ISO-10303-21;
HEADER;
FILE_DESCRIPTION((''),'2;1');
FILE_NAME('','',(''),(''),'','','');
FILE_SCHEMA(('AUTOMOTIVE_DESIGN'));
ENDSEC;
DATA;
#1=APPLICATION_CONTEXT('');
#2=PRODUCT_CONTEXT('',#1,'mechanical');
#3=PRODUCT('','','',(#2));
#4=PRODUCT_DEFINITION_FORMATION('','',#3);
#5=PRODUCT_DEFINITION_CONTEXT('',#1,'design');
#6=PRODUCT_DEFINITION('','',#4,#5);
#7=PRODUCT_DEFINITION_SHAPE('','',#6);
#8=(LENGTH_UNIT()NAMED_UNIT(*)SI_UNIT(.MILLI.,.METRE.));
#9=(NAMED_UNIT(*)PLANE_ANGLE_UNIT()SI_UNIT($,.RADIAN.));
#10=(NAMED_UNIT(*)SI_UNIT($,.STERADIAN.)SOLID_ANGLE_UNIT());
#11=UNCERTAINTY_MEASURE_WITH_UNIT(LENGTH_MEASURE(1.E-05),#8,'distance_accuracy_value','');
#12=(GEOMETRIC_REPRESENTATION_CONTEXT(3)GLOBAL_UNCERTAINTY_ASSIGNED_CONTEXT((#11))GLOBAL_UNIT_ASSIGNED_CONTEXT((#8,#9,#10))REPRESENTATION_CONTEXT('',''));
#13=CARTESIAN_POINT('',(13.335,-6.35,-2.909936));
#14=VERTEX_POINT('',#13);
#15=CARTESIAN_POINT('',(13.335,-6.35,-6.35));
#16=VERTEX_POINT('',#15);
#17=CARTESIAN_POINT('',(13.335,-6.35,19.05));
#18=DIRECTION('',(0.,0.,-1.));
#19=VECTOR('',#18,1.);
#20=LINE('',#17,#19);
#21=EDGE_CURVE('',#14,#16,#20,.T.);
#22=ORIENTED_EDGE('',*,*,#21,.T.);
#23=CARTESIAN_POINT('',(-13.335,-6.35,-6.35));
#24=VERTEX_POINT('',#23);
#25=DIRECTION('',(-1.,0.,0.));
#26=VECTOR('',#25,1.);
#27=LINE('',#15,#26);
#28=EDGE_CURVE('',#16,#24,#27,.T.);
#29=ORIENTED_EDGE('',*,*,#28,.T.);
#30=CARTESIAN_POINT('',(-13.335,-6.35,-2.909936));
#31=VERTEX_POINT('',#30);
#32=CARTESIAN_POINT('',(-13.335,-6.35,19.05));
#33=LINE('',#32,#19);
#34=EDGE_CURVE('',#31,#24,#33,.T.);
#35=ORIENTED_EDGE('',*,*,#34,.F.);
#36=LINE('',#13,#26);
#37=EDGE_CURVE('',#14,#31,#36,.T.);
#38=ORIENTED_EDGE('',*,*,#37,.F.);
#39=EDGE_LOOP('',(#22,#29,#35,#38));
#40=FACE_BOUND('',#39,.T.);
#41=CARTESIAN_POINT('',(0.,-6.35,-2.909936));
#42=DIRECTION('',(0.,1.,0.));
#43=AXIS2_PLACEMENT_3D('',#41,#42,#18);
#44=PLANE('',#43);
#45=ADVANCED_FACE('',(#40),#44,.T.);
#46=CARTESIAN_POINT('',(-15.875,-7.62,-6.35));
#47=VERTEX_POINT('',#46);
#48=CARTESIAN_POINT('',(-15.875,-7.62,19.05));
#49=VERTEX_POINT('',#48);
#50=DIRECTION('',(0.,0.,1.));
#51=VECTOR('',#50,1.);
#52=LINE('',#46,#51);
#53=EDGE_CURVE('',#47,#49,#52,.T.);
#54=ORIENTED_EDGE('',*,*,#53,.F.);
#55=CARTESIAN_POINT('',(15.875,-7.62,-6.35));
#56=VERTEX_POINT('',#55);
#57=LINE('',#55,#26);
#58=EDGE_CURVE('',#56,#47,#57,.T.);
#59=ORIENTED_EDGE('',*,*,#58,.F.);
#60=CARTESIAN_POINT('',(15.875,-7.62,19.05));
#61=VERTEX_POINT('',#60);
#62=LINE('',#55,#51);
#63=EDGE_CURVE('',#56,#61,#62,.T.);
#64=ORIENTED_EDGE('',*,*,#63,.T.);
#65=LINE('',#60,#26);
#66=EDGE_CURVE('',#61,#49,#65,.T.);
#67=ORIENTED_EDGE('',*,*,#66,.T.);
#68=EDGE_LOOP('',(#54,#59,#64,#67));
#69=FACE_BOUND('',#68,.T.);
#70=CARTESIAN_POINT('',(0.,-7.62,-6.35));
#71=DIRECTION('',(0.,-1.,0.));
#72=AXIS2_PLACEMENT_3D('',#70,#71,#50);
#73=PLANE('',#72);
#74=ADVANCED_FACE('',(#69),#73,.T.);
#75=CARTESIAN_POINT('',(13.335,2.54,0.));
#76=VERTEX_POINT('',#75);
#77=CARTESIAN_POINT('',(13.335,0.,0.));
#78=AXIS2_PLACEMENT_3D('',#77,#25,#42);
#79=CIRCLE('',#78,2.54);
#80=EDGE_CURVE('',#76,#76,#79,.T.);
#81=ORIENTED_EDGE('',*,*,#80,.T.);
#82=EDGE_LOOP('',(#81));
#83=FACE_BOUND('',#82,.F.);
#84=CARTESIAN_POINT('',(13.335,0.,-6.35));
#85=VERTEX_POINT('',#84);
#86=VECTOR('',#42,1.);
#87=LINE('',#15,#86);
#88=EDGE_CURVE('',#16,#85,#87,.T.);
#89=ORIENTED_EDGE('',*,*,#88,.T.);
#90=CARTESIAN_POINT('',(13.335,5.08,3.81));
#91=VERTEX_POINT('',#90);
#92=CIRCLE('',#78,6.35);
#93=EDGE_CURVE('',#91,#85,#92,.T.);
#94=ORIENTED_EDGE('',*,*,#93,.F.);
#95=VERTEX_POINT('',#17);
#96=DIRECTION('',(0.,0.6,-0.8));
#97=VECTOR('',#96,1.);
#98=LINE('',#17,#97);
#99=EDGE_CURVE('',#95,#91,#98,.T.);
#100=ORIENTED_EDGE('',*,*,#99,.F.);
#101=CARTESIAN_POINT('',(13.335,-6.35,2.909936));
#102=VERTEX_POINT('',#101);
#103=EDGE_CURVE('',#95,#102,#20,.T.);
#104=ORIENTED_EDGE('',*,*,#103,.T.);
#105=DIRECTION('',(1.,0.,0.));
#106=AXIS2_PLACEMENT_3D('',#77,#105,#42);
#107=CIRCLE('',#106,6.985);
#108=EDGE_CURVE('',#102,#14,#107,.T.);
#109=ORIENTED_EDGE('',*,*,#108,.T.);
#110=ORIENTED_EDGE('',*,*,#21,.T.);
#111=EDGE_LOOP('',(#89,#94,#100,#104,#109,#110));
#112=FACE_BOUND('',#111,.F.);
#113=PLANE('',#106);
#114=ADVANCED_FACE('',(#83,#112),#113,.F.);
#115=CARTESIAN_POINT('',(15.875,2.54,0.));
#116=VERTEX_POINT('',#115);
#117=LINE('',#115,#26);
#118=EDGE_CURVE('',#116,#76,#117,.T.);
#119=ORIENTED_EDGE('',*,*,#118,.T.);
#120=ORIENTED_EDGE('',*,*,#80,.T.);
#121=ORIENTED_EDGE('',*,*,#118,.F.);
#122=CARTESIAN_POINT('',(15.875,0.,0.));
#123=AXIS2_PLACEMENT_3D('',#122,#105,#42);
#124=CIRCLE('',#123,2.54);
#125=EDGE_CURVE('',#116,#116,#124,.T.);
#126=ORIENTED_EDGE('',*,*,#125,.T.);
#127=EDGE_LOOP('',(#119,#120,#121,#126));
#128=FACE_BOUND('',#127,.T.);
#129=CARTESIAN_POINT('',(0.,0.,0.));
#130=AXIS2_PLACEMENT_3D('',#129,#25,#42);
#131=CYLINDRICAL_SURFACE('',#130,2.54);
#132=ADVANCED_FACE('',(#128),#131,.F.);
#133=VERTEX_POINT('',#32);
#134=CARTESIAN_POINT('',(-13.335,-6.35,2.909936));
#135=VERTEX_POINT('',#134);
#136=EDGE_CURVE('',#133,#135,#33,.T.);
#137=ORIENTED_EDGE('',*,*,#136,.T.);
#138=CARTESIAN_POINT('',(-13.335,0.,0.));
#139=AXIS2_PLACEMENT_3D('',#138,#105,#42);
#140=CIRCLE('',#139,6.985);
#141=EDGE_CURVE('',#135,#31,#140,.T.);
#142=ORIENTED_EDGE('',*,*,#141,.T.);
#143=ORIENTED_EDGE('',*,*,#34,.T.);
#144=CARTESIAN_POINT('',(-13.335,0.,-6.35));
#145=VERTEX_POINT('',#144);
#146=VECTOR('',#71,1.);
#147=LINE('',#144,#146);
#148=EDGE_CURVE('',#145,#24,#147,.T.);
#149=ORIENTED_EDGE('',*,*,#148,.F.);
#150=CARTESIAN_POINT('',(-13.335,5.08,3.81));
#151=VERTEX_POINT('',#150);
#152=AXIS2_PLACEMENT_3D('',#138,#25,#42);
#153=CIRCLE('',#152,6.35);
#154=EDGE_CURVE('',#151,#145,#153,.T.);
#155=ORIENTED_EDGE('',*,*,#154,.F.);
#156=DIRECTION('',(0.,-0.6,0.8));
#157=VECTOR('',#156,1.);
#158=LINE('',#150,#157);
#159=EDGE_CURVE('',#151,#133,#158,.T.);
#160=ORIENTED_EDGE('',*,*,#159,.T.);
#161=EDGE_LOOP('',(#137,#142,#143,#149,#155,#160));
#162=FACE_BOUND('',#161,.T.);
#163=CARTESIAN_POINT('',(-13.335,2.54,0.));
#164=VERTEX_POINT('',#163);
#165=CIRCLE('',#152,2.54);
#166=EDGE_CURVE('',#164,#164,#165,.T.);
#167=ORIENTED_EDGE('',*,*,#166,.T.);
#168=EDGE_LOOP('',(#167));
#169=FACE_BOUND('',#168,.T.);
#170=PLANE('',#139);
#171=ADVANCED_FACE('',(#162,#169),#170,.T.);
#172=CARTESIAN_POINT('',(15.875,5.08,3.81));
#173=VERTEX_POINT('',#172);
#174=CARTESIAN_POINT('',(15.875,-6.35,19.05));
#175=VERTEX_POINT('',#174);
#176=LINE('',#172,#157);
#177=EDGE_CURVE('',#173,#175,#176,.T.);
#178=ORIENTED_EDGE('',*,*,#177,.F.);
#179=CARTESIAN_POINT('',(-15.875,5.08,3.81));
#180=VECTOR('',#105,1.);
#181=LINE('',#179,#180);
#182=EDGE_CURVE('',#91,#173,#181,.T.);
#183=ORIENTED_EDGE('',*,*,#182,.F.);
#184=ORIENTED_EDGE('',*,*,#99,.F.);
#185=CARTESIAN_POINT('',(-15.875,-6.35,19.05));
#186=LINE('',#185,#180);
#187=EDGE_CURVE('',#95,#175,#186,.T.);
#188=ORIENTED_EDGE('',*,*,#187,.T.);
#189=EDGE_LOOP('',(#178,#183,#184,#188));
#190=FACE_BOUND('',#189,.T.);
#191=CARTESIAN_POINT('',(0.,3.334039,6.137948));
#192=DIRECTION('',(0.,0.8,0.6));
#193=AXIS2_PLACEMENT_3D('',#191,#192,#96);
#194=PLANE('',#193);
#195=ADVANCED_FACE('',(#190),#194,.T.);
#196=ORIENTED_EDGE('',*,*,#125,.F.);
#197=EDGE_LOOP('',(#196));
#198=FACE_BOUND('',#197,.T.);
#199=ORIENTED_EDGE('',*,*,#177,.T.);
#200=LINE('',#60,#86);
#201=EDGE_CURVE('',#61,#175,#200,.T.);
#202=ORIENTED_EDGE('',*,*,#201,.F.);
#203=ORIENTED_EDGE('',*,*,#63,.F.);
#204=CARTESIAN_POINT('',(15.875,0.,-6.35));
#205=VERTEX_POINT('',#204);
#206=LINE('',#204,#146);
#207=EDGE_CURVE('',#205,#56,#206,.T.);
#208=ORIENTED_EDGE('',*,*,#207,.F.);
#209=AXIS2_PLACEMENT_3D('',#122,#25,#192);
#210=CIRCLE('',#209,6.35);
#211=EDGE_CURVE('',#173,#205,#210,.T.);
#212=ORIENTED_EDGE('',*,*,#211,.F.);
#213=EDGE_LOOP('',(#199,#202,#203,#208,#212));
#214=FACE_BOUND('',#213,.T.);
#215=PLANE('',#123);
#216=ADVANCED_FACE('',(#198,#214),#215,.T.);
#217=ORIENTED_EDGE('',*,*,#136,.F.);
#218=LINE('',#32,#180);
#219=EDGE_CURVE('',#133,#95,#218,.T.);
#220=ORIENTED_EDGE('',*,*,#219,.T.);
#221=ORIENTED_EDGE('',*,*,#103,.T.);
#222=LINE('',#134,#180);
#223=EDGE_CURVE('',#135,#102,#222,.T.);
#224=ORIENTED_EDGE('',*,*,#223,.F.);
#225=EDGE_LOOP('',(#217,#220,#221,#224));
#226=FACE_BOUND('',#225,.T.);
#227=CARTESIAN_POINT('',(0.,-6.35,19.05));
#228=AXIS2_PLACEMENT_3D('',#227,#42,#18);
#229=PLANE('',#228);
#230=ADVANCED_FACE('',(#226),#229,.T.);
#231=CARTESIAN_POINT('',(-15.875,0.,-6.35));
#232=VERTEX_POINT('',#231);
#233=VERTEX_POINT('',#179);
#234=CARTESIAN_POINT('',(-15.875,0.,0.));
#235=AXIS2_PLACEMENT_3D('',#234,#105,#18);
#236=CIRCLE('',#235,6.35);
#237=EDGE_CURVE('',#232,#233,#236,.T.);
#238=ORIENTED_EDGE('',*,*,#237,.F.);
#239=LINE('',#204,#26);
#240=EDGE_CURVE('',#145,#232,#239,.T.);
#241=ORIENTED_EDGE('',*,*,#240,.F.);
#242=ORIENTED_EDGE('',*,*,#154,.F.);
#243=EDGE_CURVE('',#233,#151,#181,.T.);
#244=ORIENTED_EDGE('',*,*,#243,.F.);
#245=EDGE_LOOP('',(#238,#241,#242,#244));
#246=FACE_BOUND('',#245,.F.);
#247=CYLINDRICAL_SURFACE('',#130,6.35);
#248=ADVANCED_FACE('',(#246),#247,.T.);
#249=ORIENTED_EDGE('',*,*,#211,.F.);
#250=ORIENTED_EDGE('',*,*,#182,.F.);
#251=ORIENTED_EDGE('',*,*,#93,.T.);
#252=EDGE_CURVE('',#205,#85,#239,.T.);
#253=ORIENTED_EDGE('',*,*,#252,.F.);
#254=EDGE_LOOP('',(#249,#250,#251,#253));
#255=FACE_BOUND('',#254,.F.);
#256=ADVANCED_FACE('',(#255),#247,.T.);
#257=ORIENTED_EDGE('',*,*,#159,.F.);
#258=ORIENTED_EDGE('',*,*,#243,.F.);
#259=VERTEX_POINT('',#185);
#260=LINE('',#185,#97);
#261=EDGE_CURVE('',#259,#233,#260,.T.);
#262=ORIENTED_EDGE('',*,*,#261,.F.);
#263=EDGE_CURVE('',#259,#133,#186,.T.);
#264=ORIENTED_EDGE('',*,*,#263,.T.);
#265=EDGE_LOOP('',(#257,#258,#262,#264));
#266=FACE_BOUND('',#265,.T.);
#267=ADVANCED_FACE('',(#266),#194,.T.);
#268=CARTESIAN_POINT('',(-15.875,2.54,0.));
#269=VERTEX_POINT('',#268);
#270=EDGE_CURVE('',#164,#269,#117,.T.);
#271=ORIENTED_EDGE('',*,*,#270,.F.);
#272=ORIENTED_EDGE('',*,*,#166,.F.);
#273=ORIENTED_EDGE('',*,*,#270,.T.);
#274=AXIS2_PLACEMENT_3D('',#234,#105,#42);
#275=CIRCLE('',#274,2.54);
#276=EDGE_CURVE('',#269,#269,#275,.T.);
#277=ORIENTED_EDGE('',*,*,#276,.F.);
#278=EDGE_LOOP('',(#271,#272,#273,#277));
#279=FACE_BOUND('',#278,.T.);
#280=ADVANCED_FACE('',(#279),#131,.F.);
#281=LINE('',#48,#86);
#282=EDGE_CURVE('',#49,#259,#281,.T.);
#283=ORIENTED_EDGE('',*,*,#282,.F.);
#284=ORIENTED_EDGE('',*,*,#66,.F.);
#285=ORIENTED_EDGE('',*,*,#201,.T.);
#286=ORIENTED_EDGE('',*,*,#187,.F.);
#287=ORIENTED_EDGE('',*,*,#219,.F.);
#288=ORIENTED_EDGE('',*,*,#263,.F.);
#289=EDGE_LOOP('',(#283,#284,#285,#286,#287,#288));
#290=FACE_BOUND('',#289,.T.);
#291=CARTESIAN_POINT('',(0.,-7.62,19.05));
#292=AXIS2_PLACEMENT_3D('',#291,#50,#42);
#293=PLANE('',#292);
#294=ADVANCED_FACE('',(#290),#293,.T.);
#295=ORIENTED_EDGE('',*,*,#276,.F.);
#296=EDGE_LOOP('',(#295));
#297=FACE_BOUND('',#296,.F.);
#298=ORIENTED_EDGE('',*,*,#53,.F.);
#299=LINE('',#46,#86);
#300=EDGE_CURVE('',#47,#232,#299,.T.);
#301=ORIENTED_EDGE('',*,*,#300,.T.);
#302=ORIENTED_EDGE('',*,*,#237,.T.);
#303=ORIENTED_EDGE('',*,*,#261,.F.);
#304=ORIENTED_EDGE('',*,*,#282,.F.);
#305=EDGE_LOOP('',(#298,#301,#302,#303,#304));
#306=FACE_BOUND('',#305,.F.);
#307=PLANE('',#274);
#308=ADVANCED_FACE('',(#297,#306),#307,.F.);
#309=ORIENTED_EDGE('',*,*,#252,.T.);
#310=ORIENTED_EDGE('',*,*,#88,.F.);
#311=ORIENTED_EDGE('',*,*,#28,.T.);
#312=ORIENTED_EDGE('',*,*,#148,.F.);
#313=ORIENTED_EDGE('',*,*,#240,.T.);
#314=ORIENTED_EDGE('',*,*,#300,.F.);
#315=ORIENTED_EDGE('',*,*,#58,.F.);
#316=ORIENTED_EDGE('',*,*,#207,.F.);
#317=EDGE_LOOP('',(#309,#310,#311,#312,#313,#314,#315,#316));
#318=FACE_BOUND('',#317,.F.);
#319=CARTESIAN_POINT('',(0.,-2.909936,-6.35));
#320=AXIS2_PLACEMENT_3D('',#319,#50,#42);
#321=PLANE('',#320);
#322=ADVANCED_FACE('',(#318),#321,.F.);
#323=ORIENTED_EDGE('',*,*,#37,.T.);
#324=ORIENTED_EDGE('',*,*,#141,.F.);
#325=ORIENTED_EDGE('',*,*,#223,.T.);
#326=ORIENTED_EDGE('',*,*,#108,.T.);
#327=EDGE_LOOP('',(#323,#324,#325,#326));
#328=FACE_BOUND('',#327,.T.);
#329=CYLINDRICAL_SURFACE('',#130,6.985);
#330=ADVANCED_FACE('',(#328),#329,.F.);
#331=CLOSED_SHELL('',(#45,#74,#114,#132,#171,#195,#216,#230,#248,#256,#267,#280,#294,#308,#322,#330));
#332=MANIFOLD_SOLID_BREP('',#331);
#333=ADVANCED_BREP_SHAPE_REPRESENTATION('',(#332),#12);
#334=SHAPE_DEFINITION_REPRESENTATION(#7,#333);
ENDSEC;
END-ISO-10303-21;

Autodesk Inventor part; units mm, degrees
ref_plane "YZ Plane" through (0, 0, 0) normal (1, 0, 0) x (0, 1, 0)
ref_plane "XZ Plane" through (0, 0, 0) normal (0, 1, 0) x (-1, 0, 0)
ref_plane "XY Plane" through (0, 0, 0) normal (0, 0, 1) x (1, 0, 0)
sketch "Sketch1" plane through (0, 0, 0) normal (1, 0, 0) x (0, 1, 0)
  circle A0 centre (0, 0) radius 2.54
  circle A1 centre (0, 0) radius 6.35
  line L0 (-7.62, -6.35) -> (-7.62, 19.05)
  line L1 (-7.62, 19.05) -> (-6.35, 19.05)
  line L2 (-6.35, 19.05) -> (5.08, 3.81)
  line L3 (-7.62, -6.35) -> (0, -6.35)
  line L4 (-6.35, 19.05) -> (-6.35, -6.35)
  circle A2 centre (0, 0) radius 6.985
  dimension "d0" = 5.08
  dimension "d1" = 12.7
  dimension "d2" = 7.62
  dimension "d3" = 19.05
  dimension "d4" = 1.27
  dimension "d9" = 13.97
extrude "Extrusion1" add sketch "Sketch1" along normal mid plane 31.75 contours A1 | A1 L4 A2 L2 | L3 A2 L4 A1 | L4 A2 | A2 L4 L2 | L3 L4 A2 | A2 L4 L3 L0 L1
extrude "Extrusion2" cut sketch "Sketch1" along normal mid plane 26.67 contours A0 | A1 | A1 L2 A2 L3 | A1 L4 A2 L2 | L3 A2 L4 A1 | L4 A2 | A2 L4 L2 | L3 L4 A2
equation "\"d9\" = d1 + d4"
properties part number "LegHolderV3"
